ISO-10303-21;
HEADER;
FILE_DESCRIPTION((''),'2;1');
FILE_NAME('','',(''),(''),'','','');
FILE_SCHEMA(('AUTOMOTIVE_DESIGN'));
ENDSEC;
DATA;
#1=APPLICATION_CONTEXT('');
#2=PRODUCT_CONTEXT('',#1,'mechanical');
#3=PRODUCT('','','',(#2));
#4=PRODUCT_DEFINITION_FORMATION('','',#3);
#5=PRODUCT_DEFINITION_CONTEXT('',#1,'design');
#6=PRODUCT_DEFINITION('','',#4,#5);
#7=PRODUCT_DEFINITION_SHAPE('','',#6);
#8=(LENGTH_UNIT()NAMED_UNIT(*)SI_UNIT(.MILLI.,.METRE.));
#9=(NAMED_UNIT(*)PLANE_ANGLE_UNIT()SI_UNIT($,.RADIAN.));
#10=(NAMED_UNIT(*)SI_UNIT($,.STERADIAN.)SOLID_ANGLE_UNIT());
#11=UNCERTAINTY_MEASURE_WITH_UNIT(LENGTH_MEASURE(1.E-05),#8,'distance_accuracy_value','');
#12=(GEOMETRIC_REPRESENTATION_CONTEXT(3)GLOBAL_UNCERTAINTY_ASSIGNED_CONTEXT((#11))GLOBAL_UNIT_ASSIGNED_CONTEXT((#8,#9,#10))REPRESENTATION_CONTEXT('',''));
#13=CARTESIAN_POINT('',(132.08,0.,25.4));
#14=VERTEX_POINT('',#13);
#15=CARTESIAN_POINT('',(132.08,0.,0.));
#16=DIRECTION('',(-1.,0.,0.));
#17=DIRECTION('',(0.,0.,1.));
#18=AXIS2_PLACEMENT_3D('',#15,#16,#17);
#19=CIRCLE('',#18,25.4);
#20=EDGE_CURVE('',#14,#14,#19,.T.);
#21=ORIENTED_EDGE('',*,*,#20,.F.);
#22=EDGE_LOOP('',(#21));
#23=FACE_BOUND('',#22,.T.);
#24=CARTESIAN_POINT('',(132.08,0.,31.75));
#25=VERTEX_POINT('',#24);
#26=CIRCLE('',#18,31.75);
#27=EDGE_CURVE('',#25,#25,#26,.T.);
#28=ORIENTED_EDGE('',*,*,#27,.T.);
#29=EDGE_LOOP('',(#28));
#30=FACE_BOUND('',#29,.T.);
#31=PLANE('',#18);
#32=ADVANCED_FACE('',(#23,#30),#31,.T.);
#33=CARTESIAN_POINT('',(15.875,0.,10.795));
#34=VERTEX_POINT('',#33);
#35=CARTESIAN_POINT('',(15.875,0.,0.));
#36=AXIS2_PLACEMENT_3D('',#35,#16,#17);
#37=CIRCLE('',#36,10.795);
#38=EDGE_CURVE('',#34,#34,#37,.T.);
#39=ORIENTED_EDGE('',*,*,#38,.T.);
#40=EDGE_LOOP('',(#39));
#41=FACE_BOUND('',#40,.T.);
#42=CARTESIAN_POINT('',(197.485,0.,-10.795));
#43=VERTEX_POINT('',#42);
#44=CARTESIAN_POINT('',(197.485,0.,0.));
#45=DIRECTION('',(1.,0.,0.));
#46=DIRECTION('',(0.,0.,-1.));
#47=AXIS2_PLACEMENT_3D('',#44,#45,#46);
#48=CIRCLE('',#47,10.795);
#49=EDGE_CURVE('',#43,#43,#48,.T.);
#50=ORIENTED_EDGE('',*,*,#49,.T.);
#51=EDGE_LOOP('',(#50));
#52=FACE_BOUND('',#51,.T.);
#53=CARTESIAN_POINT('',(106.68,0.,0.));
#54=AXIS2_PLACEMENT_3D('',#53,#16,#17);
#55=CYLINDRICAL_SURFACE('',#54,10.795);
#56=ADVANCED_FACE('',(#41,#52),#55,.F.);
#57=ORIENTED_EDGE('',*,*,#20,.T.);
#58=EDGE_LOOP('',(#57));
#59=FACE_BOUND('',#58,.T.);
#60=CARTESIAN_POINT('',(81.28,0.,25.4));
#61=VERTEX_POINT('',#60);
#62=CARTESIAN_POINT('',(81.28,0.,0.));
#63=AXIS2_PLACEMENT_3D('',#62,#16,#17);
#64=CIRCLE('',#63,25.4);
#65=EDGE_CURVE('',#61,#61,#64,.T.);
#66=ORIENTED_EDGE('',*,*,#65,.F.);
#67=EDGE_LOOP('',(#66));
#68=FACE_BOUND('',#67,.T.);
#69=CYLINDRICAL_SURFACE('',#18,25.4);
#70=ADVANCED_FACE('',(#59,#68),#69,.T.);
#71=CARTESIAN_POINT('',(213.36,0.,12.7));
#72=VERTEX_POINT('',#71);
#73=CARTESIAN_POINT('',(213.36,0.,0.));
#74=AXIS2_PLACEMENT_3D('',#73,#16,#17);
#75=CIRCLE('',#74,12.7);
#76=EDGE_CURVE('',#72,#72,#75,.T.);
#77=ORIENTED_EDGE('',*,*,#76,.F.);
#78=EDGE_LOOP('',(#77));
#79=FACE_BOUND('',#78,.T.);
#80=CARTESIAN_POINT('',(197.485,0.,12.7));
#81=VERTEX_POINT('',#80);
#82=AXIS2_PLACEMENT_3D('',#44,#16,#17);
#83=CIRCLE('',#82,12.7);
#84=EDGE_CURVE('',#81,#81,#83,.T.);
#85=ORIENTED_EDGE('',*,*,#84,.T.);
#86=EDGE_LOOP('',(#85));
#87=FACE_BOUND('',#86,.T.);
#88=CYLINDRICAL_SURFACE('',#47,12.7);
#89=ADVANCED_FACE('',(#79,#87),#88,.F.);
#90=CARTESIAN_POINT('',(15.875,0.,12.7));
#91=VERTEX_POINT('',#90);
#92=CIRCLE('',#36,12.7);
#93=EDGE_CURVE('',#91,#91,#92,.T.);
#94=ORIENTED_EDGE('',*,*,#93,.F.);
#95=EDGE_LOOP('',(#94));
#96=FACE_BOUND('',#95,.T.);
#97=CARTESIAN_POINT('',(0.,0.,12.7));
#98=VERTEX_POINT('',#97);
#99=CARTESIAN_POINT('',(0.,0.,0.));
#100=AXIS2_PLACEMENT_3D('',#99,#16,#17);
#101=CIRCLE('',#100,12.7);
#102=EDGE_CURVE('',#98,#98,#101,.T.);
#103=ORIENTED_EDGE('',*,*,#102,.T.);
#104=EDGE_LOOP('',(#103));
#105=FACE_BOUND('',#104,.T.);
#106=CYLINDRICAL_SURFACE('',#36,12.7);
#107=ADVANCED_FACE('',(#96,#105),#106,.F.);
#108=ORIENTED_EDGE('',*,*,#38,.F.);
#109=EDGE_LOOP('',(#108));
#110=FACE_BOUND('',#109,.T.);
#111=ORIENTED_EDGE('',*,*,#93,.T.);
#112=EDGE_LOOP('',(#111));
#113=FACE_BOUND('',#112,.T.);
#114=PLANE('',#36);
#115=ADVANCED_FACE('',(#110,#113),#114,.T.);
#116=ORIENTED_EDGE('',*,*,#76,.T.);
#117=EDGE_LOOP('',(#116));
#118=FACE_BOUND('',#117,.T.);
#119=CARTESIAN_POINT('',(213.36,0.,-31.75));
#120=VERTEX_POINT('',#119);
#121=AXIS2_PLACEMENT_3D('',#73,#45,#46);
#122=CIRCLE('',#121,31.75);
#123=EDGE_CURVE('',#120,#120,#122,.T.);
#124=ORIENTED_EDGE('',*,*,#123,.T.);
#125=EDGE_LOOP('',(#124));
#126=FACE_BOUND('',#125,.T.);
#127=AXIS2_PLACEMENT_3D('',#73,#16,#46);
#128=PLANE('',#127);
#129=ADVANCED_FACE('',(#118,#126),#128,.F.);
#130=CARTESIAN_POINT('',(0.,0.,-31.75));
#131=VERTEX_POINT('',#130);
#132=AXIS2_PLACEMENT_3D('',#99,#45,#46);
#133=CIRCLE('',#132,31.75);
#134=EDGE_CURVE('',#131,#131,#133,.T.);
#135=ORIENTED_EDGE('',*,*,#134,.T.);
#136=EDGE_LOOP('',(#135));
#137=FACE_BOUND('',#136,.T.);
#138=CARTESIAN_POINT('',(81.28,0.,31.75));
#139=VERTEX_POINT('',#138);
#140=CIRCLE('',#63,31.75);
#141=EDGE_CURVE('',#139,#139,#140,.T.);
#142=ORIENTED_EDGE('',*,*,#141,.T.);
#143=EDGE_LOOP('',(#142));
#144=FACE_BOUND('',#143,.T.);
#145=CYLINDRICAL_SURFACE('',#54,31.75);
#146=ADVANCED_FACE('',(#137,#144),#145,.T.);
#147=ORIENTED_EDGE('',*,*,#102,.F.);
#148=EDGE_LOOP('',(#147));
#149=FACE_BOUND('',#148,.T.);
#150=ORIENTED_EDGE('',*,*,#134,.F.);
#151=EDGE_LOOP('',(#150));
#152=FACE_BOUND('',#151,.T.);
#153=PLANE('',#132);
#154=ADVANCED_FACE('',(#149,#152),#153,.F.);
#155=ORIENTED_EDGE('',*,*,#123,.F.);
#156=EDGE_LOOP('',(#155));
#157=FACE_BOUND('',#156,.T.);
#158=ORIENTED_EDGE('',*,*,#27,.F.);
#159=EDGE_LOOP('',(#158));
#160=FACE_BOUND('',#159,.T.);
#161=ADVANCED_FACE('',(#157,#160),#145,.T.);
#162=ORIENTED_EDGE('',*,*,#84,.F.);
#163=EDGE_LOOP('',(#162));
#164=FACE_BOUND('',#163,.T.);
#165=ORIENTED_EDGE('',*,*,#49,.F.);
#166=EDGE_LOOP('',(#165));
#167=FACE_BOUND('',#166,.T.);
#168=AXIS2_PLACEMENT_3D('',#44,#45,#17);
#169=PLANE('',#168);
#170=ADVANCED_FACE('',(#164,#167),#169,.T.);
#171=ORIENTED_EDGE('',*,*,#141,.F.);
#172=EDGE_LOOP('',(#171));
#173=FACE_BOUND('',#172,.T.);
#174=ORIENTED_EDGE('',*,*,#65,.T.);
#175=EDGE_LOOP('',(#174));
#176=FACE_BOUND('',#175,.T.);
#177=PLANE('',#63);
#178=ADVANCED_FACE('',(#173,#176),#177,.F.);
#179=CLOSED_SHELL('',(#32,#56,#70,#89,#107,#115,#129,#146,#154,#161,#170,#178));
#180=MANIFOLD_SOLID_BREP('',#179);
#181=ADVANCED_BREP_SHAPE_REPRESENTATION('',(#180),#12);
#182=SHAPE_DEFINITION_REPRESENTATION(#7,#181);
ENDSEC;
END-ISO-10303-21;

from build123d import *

# Parameters (mm, degrees)
SKETCH1_R           = 31.75
SKETCH1_R_2         = 10.795
BOSS_EXTRUDE1_DEPTH = 106.68
SKETCH2_R           = 12.7
CUT_EXTRUDE1_DEPTH  = 15.875
CUT_EXTRUDE2_START  = -81.28
SKETCH3_OUTSIDE_W   = 111.798
SKETCH3_OUTSIDE_H   = 111.798
SKETCH3_OUTSIDE_R   = 25.4
CUT_EXTRUDE2_DEPTH  = 50.8


with BuildPart() as part:
    # Sketch1 → Boss-Extrude1 (new body)
    with BuildSketch(Plane(origin=(0, 0, 0), x_dir=(0, 0, -1), z_dir=(1, 0, 0))):
        Circle(SKETCH1_R)
        Circle(SKETCH1_R_2, mode=Mode.SUBTRACT)
    boss_extrude1 = extrude(amount=BOSS_EXTRUDE1_DEPTH)

    # Sketch2 → Cut-Extrude1 (cut)
    with BuildSketch(Plane.ZY):
        Circle(SKETCH2_R)
    cut_extrude1 = extrude(amount=-CUT_EXTRUDE1_DEPTH, mode=Mode.SUBTRACT)

    # Mirror1: Boss-Extrude1, Cut-Extrude1 across plane
    add(boss_extrude1.mirror(Plane(origin=(106.68, 0, 0), x_dir=(0, 0, 1), z_dir=(1, 0, 0))))
    add(cut_extrude1.mirror(Plane(origin=(106.68, 0, 0), x_dir=(0, 0, 1), z_dir=(1, 0, 0))), mode=Mode.SUBTRACT)

    # Sketch3 outside → Cut-Extrude2 (cut)
    with BuildSketch(Plane.ZY.offset(CUT_EXTRUDE2_START)):
        Rectangle(SKETCH3_OUTSIDE_W, SKETCH3_OUTSIDE_H)
        Circle(SKETCH3_OUTSIDE_R, mode=Mode.SUBTRACT)
    extrude(amount=-CUT_EXTRUDE2_DEPTH, mode=Mode.SUBTRACT)


solid = part.part
